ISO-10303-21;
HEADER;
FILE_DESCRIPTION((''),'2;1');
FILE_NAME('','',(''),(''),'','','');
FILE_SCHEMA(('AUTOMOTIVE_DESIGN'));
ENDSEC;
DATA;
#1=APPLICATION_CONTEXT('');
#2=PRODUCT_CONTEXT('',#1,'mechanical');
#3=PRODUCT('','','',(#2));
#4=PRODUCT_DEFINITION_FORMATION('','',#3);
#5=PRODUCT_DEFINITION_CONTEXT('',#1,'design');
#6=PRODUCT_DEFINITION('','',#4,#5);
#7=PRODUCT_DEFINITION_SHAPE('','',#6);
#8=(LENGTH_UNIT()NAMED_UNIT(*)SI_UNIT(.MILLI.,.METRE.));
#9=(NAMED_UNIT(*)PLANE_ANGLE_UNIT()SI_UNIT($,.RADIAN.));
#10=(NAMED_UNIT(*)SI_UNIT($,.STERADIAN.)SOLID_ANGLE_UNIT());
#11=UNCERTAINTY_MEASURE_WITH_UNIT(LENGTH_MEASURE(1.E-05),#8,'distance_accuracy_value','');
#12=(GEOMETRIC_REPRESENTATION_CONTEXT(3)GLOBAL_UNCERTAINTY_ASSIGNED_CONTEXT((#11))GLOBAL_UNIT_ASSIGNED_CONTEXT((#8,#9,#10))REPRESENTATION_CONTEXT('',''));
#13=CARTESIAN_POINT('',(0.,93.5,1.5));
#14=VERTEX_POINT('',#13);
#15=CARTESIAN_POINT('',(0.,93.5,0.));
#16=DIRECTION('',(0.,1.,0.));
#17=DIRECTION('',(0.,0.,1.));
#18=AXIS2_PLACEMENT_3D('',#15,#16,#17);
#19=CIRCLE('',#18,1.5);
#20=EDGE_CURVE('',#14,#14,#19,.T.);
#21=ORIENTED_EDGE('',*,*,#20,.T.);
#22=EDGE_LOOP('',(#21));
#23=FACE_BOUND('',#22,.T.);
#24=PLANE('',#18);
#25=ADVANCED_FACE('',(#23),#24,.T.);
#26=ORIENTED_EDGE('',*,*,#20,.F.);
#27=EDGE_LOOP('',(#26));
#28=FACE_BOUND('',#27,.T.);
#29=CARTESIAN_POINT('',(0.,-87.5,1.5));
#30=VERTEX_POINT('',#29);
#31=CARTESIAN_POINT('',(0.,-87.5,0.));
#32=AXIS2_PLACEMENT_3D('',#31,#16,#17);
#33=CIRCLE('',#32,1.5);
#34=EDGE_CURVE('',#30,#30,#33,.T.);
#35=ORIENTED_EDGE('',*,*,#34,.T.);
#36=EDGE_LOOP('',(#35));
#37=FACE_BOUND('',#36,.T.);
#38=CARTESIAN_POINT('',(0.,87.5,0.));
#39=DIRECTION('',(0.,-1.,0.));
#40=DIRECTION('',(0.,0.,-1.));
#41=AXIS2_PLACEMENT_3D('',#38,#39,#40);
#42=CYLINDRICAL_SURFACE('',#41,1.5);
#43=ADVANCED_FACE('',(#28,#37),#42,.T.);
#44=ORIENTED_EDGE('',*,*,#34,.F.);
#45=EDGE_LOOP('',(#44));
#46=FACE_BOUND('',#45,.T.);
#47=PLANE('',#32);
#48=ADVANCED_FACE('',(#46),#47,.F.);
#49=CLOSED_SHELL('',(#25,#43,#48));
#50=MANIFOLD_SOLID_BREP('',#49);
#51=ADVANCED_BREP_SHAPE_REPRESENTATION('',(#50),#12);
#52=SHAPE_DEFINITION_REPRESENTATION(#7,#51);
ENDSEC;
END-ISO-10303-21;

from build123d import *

# Parameters (mm, degrees)
SKETCH1_R           = 1.5
BOSS_EXTRUDE1_DEPTH = 87.5
BOSS_EXTRUDE2_START = 6
SKETCH2_R           = 1.5
BOSS_EXTRUDE2_DEPTH = 6


with BuildPart() as part:
    # Sketch1 → Boss-Extrude1 (new, symmetric)
    with BuildSketch(Plane(origin=(0, 0, 0), x_dir=(1, 0, 0), z_dir=(0, 1, 0))):
        with Locations(Location((0, 0, 0), (0, 0, 270))):
            Circle(SKETCH1_R)
    extrude(amount=BOSS_EXTRUDE1_DEPTH, both=True)

    # Sketch2 → Boss-Extrude2 (add)
    with BuildSketch(Plane(origin=(0, 87.5, 0), x_dir=(1, 0, 0), z_dir=(0, 1, 0)).offset(BOSS_EXTRUDE2_START)):
        with Locations(Location((0, 0, 0), (0, 0, 270))):
            Circle(SKETCH2_R)
    extrude(amount=-BOSS_EXTRUDE2_DEPTH)


solid = part.part
